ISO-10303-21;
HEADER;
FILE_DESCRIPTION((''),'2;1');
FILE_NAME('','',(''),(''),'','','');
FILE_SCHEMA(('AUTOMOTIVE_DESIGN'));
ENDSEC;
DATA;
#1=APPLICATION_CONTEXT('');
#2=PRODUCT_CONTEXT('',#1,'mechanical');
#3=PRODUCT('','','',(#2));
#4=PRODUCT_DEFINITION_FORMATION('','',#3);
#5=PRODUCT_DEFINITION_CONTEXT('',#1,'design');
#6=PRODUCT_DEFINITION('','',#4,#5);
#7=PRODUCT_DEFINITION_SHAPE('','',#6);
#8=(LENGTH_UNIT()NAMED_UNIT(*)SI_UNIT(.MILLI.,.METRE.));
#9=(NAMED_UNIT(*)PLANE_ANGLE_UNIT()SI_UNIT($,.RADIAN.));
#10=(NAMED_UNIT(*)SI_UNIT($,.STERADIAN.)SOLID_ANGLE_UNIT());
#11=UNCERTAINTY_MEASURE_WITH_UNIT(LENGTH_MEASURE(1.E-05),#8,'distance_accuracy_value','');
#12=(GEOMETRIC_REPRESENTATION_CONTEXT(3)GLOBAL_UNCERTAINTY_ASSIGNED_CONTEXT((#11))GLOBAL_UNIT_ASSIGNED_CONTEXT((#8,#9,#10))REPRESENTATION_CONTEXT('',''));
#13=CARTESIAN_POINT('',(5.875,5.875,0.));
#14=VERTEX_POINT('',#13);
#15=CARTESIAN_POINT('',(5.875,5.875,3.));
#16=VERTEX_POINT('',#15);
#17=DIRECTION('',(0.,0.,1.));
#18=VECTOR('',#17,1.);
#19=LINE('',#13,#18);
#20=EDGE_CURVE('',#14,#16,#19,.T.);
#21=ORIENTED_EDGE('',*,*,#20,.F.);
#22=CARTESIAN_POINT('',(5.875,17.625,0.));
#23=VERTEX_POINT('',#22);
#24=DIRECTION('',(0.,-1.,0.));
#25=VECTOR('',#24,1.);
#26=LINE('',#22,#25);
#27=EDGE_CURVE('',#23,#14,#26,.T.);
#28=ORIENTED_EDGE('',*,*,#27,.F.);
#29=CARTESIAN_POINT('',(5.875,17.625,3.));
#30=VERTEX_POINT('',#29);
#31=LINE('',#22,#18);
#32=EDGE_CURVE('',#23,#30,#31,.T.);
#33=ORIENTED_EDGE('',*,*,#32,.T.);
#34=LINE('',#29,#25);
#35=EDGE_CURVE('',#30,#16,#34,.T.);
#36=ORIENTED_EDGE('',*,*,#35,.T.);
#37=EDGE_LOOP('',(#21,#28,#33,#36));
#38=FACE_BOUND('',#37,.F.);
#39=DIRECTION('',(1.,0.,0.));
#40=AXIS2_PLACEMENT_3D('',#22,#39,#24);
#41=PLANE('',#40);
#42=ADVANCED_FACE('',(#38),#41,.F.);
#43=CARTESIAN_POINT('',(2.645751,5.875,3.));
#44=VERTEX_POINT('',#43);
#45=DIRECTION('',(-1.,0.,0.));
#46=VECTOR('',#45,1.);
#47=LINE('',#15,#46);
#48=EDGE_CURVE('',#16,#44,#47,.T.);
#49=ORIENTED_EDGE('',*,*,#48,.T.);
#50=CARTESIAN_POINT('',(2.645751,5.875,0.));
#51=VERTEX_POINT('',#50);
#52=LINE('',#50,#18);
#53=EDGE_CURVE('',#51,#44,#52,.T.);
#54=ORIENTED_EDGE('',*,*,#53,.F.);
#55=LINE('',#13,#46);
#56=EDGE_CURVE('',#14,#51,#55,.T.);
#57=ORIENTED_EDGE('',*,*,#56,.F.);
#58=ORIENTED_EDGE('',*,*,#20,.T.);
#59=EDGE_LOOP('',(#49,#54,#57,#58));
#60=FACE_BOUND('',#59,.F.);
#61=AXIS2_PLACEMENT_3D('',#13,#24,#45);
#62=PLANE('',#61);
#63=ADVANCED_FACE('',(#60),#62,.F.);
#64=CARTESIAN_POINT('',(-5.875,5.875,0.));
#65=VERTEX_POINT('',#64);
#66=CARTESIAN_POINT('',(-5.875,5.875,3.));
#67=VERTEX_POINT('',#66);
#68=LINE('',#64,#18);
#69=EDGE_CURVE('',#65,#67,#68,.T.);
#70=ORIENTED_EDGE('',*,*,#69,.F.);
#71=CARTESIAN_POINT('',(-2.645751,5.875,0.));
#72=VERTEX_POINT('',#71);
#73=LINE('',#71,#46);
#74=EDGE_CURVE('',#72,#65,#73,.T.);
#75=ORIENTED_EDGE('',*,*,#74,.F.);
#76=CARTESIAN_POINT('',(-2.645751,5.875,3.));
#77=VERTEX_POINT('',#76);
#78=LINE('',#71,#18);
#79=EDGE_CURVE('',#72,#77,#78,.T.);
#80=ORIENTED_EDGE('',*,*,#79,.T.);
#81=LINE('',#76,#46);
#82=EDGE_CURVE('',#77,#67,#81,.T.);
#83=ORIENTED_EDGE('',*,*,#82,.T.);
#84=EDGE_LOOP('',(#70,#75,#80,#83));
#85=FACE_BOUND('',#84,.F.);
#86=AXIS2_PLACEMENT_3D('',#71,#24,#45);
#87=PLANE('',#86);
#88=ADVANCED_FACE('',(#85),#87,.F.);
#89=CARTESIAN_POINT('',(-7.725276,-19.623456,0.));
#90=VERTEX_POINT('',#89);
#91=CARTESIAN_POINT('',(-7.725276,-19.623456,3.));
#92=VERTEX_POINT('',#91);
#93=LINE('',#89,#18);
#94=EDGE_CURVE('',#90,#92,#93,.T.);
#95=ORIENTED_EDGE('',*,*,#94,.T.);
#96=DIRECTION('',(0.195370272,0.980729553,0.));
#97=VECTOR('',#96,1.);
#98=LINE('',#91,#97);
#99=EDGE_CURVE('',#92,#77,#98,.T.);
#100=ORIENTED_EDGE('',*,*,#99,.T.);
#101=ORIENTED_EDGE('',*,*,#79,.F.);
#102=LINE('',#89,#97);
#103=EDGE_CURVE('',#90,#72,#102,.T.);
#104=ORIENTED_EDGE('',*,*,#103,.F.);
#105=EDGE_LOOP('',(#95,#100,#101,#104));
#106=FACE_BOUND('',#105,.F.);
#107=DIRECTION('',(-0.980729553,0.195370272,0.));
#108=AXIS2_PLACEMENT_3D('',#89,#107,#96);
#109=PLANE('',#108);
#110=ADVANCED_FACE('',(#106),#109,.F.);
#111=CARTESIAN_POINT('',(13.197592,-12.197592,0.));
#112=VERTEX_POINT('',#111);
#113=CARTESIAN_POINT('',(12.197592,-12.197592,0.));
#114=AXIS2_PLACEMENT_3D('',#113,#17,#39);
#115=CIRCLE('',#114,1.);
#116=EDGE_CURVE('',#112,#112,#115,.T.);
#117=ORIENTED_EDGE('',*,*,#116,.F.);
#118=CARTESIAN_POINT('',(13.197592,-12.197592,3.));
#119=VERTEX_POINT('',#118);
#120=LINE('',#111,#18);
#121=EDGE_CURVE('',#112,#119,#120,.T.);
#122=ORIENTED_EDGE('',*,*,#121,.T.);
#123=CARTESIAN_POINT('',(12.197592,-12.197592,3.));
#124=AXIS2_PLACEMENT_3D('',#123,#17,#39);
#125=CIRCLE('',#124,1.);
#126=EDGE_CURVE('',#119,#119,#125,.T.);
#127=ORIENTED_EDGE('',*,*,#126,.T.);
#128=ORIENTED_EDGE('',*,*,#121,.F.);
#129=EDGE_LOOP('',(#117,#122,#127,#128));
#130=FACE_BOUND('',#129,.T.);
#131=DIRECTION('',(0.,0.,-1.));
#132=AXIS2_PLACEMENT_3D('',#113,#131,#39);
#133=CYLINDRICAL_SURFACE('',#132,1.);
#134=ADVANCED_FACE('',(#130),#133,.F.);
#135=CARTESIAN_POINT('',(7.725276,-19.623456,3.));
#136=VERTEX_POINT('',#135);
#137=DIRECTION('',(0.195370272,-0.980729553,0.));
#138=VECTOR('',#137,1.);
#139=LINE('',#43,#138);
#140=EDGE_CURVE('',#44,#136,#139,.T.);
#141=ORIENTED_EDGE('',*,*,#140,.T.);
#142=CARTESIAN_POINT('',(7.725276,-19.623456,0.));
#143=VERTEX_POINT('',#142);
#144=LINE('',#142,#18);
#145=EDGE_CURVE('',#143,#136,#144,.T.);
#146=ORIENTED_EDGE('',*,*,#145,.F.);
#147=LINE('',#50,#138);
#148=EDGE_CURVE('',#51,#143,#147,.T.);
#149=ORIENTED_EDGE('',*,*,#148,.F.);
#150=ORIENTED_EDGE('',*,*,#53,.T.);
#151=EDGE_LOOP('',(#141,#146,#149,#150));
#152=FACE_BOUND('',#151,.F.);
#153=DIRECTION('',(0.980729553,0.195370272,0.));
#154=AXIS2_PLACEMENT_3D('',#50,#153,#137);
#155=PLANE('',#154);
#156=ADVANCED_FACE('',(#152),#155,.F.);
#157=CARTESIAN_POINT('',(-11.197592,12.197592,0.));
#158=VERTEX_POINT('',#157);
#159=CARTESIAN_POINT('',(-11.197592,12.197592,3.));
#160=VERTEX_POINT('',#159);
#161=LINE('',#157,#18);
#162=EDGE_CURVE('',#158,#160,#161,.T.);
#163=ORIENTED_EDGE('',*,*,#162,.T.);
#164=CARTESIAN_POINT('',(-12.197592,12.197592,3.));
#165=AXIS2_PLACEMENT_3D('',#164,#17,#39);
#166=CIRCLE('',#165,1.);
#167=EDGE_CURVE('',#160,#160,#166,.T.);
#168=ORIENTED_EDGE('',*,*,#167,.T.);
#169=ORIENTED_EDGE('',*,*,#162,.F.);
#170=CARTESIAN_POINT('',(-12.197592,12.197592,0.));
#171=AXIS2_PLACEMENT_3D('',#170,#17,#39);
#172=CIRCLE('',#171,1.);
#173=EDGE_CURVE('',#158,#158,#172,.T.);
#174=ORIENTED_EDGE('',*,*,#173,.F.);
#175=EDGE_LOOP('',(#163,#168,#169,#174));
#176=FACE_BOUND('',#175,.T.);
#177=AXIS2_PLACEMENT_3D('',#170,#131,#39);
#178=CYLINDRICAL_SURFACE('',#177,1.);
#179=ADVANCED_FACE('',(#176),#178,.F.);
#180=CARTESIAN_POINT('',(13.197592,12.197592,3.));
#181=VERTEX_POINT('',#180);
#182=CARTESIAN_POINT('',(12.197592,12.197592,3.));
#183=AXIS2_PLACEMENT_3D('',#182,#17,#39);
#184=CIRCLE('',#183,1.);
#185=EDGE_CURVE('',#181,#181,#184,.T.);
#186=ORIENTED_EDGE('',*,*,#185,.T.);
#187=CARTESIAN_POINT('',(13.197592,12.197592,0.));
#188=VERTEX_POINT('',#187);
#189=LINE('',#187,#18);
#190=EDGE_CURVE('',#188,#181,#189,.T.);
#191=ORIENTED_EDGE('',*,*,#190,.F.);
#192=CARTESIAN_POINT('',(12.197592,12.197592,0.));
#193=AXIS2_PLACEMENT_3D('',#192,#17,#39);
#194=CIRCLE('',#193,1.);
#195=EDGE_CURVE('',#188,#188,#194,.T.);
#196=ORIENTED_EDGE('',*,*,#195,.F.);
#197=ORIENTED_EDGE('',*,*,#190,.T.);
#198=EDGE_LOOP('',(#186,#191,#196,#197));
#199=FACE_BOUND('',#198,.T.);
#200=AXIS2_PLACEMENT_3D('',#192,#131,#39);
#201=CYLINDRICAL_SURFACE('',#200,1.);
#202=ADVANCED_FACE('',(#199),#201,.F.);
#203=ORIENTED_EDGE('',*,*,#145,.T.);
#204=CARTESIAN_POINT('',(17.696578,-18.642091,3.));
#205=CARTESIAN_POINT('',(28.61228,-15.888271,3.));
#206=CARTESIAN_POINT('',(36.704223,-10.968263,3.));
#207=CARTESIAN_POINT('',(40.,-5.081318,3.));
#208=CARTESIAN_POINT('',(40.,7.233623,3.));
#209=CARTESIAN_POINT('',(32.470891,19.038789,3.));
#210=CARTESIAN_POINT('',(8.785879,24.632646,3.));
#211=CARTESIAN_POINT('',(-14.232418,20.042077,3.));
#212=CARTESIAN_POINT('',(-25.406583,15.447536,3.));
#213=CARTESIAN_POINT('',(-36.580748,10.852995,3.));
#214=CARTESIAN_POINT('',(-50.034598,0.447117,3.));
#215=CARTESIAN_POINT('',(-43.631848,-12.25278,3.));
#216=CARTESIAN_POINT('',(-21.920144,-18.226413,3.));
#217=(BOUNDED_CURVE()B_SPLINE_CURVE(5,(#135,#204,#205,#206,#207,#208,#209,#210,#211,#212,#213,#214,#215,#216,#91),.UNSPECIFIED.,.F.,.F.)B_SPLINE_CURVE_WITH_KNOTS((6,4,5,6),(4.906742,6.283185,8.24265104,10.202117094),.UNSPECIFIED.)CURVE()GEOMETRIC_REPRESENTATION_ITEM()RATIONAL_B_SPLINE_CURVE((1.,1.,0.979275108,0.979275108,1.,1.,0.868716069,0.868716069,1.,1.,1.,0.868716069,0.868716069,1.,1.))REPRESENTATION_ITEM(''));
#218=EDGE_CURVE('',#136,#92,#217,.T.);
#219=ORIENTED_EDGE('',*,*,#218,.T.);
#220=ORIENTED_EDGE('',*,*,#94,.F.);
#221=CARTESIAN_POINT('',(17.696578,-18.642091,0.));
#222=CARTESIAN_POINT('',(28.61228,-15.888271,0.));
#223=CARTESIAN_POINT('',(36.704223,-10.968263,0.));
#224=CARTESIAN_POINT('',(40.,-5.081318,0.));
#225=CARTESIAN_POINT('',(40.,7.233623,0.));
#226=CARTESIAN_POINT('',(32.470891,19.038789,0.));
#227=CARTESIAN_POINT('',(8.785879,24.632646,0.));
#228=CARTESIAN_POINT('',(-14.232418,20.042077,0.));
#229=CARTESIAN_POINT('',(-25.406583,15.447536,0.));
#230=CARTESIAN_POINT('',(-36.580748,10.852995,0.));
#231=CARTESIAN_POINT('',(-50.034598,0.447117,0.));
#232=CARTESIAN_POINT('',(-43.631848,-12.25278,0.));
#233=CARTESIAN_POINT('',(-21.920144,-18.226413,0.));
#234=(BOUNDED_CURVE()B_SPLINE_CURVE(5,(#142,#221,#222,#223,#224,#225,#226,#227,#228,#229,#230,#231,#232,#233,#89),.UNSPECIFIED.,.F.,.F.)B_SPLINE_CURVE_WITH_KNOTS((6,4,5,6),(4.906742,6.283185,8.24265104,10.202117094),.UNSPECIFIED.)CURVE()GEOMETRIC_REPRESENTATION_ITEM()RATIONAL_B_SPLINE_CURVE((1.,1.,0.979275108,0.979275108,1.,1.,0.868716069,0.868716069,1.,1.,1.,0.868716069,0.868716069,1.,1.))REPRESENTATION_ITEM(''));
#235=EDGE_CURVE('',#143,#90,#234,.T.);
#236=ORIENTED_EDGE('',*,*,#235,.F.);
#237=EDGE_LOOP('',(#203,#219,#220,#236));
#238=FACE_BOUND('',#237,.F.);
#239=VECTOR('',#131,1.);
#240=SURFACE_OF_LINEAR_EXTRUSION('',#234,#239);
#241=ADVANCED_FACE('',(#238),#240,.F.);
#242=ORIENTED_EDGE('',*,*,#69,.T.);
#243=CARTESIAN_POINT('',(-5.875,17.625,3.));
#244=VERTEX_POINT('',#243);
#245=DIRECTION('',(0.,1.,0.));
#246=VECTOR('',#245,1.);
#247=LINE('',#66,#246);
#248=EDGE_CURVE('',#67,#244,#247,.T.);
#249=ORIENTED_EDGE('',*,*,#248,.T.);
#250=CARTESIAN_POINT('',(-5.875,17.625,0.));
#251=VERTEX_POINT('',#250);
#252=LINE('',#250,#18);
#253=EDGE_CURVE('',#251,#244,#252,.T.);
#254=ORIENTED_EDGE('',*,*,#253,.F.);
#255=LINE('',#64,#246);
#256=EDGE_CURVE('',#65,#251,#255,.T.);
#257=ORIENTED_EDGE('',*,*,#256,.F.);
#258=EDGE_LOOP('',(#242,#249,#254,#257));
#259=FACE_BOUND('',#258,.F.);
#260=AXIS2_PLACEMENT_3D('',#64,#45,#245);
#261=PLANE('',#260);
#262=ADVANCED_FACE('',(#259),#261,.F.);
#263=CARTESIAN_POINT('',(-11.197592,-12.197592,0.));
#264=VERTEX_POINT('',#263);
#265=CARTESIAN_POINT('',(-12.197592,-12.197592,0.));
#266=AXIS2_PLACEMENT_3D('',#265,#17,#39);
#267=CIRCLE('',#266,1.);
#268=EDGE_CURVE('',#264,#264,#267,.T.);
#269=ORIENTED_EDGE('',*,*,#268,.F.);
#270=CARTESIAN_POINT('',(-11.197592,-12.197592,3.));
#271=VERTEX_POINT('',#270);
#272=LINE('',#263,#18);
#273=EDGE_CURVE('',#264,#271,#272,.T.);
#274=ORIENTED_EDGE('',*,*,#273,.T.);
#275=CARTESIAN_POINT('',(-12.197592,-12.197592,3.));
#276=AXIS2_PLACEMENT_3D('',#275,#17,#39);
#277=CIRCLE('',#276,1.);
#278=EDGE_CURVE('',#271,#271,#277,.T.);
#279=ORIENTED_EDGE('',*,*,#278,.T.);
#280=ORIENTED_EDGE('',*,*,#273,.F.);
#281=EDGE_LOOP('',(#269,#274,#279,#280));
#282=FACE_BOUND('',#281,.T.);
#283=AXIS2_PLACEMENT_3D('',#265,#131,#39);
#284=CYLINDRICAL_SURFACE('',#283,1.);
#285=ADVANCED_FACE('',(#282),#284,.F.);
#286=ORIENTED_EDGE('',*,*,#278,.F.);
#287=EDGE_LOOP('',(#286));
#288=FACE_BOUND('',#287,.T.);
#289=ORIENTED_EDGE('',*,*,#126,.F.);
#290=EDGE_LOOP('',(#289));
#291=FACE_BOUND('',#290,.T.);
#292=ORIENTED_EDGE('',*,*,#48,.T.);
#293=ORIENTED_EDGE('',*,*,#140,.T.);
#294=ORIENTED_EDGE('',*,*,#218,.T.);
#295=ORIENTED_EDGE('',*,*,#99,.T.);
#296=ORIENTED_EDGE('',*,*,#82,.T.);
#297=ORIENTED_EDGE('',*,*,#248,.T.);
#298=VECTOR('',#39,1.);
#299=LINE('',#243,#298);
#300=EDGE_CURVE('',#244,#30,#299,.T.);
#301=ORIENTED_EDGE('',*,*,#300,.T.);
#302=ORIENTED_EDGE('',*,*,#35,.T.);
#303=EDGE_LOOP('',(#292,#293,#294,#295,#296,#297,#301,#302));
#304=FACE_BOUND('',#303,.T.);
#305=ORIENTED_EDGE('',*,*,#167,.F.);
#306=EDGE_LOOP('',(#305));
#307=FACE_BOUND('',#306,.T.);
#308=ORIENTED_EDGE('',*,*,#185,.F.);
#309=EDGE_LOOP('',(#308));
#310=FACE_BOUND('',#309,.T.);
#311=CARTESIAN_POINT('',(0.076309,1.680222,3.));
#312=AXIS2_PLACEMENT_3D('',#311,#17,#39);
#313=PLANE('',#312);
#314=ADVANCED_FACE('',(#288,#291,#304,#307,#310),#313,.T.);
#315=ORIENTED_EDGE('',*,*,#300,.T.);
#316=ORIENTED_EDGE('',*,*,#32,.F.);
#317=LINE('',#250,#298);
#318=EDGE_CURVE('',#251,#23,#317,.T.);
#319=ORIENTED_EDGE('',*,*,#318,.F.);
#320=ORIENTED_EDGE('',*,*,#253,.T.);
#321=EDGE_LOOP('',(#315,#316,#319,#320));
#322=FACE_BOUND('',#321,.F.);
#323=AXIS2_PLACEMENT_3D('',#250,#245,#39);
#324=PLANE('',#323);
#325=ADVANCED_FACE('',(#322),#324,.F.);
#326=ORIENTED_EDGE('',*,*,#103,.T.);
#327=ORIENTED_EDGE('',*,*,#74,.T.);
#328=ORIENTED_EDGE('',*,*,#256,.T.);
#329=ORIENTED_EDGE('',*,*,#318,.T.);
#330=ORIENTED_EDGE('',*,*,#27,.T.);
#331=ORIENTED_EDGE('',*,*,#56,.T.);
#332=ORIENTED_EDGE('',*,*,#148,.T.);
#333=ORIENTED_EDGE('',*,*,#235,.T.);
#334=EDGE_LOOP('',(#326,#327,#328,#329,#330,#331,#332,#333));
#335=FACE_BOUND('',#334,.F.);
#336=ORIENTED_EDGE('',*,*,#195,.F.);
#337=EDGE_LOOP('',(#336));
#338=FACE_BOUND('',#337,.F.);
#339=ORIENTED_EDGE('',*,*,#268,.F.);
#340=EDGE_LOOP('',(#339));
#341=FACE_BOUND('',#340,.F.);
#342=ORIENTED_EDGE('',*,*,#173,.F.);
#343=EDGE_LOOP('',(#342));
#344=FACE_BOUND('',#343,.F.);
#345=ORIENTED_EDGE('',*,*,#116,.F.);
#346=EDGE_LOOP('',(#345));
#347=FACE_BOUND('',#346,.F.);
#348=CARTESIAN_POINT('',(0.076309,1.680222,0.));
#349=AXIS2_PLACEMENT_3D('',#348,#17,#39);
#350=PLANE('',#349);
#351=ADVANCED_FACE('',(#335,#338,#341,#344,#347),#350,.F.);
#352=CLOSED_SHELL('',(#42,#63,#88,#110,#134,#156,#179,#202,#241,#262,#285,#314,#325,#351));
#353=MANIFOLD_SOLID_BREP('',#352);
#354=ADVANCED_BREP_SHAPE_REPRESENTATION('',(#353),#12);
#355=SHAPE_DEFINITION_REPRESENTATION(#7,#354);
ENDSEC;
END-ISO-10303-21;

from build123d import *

# Parameters (mm, degrees)
F0_R     = 1
F1_DEPTH = 3


with BuildPart() as f1:
    # F0 (on Top) → F1 (new body)
    with BuildSketch(Plane.XY):
        with BuildLine():
            add(Edge.make_bspline(
                [(7.725276, -19.623456), (40, -16.447013), (40, 0)],
                knots=[4.906742, 4.906742, 4.906742, 6.283185, 6.283185, 6.283185], degree=2, weights=[1, 0.772377, 1]))
            add(Edge.make_bspline(
                [(40, 0), (40, 42.34111), (-25.406583, 15.447536), (-90.813167, -11.446037), (-7.725276, -19.623456)],
                knots=[0, 0, 0, 2.259018, 2.259018, 4.518036, 4.518036, 4.518036], degree=2, weights=[1, 0.427104, 1, 0.427104, 1]))
            Line((-7.725276, -19.623456), (-2.645751, 5.875))
            Line((-2.645751, 5.875), (-5.875, 5.875))
            Line((-5.875, 5.875), (-5.875, 17.625))
            Line((-5.875, 17.625), (5.875, 17.625))
            Line((5.875, 17.625), (5.875, 5.875))
            Line((5.875, 5.875), (2.645751, 5.875))
            Line((2.645751, 5.875), (7.725276, -19.623456))
        make_face()
        with Locations((-12.197592, -12.197592)):
            Circle(F0_R, mode=Mode.SUBTRACT)
        with Locations((12.197592, -12.197592)):
            Circle(F0_R, mode=Mode.SUBTRACT)
        with Locations((-12.197592, 12.197592)):
            Circle(F0_R, mode=Mode.SUBTRACT)
        with Locations((12.197592, 12.197592)):
            Circle(F0_R, mode=Mode.SUBTRACT)
    extrude(amount=F1_DEPTH)


solid = f1.part
